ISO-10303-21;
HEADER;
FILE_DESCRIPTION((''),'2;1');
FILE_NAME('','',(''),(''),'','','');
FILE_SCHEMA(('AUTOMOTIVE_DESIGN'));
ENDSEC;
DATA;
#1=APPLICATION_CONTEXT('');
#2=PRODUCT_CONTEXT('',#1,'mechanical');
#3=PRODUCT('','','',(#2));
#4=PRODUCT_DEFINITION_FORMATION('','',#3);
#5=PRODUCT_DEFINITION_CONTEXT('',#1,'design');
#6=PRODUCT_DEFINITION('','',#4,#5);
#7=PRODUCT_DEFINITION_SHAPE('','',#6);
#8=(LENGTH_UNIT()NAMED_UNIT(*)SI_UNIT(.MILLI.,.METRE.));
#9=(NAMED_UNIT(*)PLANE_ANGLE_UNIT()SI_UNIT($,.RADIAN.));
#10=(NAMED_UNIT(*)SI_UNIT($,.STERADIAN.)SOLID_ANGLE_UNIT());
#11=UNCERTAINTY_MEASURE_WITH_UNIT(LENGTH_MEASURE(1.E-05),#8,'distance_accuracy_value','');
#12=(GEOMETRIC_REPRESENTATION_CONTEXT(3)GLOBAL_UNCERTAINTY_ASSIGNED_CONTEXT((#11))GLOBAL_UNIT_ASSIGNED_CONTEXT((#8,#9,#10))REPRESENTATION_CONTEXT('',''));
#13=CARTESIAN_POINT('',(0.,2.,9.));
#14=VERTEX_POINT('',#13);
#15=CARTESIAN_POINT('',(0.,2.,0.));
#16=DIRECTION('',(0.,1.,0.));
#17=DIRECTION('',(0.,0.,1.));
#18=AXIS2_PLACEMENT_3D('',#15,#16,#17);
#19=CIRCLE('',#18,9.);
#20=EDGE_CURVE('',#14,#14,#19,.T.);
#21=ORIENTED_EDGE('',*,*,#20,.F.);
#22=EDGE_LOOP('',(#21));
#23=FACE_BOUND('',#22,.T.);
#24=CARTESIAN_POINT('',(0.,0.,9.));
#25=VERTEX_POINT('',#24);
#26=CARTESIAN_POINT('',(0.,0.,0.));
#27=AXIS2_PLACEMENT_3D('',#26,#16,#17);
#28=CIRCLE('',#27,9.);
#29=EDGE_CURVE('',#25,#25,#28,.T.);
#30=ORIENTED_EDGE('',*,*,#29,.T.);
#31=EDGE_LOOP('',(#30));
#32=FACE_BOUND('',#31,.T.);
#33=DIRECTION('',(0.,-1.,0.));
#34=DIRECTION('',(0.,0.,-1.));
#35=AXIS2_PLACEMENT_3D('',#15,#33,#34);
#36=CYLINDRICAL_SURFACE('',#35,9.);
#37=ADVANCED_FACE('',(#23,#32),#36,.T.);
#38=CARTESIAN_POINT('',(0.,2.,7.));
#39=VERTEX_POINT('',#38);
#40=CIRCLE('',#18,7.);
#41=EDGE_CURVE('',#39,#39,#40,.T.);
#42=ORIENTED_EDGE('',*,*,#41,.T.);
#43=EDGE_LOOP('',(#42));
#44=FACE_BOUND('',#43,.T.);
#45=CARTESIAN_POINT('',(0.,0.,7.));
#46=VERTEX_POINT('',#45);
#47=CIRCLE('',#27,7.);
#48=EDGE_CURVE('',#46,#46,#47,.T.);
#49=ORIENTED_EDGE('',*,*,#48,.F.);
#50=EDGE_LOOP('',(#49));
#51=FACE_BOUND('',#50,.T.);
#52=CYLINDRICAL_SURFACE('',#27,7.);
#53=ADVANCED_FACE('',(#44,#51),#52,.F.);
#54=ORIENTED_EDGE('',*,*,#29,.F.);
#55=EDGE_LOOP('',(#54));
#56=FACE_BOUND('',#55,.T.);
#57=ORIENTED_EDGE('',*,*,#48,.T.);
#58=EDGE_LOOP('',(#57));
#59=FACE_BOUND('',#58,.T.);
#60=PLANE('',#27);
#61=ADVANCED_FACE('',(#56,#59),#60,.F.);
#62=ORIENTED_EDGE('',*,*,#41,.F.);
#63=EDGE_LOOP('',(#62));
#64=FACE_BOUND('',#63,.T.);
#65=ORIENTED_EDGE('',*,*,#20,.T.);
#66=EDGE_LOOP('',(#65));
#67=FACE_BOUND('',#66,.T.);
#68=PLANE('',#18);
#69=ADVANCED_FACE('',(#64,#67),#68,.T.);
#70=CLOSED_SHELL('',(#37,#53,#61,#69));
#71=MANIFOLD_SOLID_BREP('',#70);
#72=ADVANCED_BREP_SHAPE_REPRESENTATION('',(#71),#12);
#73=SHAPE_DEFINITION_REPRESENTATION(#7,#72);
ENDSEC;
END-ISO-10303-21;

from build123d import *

# Parameters (mm, degrees)
SKETCH2_R           = 9
BOSS_EXTRUDE1_DEPTH = 2
SKETCH4_R           = 7
CUT_EXTRUDE3_DEPTH  = 2


with BuildPart() as part:
    # Sketch2 → Boss-Extrude1 (new body)
    with BuildSketch(Plane(origin=(0, 0, 0), x_dir=(1, 0, 0), z_dir=(0, 1, 0))):
        Circle(SKETCH2_R)
    extrude(amount=BOSS_EXTRUDE1_DEPTH)

    # Sketch4 → Cut-Extrude3 (cut)
    with BuildSketch(Plane(origin=(0, 2, 0), x_dir=(1, 0, 0), z_dir=(0, 1, 0))):
        Circle(SKETCH4_R)
    extrude(amount=-CUT_EXTRUDE3_DEPTH, mode=Mode.SUBTRACT)


solid = part.part
